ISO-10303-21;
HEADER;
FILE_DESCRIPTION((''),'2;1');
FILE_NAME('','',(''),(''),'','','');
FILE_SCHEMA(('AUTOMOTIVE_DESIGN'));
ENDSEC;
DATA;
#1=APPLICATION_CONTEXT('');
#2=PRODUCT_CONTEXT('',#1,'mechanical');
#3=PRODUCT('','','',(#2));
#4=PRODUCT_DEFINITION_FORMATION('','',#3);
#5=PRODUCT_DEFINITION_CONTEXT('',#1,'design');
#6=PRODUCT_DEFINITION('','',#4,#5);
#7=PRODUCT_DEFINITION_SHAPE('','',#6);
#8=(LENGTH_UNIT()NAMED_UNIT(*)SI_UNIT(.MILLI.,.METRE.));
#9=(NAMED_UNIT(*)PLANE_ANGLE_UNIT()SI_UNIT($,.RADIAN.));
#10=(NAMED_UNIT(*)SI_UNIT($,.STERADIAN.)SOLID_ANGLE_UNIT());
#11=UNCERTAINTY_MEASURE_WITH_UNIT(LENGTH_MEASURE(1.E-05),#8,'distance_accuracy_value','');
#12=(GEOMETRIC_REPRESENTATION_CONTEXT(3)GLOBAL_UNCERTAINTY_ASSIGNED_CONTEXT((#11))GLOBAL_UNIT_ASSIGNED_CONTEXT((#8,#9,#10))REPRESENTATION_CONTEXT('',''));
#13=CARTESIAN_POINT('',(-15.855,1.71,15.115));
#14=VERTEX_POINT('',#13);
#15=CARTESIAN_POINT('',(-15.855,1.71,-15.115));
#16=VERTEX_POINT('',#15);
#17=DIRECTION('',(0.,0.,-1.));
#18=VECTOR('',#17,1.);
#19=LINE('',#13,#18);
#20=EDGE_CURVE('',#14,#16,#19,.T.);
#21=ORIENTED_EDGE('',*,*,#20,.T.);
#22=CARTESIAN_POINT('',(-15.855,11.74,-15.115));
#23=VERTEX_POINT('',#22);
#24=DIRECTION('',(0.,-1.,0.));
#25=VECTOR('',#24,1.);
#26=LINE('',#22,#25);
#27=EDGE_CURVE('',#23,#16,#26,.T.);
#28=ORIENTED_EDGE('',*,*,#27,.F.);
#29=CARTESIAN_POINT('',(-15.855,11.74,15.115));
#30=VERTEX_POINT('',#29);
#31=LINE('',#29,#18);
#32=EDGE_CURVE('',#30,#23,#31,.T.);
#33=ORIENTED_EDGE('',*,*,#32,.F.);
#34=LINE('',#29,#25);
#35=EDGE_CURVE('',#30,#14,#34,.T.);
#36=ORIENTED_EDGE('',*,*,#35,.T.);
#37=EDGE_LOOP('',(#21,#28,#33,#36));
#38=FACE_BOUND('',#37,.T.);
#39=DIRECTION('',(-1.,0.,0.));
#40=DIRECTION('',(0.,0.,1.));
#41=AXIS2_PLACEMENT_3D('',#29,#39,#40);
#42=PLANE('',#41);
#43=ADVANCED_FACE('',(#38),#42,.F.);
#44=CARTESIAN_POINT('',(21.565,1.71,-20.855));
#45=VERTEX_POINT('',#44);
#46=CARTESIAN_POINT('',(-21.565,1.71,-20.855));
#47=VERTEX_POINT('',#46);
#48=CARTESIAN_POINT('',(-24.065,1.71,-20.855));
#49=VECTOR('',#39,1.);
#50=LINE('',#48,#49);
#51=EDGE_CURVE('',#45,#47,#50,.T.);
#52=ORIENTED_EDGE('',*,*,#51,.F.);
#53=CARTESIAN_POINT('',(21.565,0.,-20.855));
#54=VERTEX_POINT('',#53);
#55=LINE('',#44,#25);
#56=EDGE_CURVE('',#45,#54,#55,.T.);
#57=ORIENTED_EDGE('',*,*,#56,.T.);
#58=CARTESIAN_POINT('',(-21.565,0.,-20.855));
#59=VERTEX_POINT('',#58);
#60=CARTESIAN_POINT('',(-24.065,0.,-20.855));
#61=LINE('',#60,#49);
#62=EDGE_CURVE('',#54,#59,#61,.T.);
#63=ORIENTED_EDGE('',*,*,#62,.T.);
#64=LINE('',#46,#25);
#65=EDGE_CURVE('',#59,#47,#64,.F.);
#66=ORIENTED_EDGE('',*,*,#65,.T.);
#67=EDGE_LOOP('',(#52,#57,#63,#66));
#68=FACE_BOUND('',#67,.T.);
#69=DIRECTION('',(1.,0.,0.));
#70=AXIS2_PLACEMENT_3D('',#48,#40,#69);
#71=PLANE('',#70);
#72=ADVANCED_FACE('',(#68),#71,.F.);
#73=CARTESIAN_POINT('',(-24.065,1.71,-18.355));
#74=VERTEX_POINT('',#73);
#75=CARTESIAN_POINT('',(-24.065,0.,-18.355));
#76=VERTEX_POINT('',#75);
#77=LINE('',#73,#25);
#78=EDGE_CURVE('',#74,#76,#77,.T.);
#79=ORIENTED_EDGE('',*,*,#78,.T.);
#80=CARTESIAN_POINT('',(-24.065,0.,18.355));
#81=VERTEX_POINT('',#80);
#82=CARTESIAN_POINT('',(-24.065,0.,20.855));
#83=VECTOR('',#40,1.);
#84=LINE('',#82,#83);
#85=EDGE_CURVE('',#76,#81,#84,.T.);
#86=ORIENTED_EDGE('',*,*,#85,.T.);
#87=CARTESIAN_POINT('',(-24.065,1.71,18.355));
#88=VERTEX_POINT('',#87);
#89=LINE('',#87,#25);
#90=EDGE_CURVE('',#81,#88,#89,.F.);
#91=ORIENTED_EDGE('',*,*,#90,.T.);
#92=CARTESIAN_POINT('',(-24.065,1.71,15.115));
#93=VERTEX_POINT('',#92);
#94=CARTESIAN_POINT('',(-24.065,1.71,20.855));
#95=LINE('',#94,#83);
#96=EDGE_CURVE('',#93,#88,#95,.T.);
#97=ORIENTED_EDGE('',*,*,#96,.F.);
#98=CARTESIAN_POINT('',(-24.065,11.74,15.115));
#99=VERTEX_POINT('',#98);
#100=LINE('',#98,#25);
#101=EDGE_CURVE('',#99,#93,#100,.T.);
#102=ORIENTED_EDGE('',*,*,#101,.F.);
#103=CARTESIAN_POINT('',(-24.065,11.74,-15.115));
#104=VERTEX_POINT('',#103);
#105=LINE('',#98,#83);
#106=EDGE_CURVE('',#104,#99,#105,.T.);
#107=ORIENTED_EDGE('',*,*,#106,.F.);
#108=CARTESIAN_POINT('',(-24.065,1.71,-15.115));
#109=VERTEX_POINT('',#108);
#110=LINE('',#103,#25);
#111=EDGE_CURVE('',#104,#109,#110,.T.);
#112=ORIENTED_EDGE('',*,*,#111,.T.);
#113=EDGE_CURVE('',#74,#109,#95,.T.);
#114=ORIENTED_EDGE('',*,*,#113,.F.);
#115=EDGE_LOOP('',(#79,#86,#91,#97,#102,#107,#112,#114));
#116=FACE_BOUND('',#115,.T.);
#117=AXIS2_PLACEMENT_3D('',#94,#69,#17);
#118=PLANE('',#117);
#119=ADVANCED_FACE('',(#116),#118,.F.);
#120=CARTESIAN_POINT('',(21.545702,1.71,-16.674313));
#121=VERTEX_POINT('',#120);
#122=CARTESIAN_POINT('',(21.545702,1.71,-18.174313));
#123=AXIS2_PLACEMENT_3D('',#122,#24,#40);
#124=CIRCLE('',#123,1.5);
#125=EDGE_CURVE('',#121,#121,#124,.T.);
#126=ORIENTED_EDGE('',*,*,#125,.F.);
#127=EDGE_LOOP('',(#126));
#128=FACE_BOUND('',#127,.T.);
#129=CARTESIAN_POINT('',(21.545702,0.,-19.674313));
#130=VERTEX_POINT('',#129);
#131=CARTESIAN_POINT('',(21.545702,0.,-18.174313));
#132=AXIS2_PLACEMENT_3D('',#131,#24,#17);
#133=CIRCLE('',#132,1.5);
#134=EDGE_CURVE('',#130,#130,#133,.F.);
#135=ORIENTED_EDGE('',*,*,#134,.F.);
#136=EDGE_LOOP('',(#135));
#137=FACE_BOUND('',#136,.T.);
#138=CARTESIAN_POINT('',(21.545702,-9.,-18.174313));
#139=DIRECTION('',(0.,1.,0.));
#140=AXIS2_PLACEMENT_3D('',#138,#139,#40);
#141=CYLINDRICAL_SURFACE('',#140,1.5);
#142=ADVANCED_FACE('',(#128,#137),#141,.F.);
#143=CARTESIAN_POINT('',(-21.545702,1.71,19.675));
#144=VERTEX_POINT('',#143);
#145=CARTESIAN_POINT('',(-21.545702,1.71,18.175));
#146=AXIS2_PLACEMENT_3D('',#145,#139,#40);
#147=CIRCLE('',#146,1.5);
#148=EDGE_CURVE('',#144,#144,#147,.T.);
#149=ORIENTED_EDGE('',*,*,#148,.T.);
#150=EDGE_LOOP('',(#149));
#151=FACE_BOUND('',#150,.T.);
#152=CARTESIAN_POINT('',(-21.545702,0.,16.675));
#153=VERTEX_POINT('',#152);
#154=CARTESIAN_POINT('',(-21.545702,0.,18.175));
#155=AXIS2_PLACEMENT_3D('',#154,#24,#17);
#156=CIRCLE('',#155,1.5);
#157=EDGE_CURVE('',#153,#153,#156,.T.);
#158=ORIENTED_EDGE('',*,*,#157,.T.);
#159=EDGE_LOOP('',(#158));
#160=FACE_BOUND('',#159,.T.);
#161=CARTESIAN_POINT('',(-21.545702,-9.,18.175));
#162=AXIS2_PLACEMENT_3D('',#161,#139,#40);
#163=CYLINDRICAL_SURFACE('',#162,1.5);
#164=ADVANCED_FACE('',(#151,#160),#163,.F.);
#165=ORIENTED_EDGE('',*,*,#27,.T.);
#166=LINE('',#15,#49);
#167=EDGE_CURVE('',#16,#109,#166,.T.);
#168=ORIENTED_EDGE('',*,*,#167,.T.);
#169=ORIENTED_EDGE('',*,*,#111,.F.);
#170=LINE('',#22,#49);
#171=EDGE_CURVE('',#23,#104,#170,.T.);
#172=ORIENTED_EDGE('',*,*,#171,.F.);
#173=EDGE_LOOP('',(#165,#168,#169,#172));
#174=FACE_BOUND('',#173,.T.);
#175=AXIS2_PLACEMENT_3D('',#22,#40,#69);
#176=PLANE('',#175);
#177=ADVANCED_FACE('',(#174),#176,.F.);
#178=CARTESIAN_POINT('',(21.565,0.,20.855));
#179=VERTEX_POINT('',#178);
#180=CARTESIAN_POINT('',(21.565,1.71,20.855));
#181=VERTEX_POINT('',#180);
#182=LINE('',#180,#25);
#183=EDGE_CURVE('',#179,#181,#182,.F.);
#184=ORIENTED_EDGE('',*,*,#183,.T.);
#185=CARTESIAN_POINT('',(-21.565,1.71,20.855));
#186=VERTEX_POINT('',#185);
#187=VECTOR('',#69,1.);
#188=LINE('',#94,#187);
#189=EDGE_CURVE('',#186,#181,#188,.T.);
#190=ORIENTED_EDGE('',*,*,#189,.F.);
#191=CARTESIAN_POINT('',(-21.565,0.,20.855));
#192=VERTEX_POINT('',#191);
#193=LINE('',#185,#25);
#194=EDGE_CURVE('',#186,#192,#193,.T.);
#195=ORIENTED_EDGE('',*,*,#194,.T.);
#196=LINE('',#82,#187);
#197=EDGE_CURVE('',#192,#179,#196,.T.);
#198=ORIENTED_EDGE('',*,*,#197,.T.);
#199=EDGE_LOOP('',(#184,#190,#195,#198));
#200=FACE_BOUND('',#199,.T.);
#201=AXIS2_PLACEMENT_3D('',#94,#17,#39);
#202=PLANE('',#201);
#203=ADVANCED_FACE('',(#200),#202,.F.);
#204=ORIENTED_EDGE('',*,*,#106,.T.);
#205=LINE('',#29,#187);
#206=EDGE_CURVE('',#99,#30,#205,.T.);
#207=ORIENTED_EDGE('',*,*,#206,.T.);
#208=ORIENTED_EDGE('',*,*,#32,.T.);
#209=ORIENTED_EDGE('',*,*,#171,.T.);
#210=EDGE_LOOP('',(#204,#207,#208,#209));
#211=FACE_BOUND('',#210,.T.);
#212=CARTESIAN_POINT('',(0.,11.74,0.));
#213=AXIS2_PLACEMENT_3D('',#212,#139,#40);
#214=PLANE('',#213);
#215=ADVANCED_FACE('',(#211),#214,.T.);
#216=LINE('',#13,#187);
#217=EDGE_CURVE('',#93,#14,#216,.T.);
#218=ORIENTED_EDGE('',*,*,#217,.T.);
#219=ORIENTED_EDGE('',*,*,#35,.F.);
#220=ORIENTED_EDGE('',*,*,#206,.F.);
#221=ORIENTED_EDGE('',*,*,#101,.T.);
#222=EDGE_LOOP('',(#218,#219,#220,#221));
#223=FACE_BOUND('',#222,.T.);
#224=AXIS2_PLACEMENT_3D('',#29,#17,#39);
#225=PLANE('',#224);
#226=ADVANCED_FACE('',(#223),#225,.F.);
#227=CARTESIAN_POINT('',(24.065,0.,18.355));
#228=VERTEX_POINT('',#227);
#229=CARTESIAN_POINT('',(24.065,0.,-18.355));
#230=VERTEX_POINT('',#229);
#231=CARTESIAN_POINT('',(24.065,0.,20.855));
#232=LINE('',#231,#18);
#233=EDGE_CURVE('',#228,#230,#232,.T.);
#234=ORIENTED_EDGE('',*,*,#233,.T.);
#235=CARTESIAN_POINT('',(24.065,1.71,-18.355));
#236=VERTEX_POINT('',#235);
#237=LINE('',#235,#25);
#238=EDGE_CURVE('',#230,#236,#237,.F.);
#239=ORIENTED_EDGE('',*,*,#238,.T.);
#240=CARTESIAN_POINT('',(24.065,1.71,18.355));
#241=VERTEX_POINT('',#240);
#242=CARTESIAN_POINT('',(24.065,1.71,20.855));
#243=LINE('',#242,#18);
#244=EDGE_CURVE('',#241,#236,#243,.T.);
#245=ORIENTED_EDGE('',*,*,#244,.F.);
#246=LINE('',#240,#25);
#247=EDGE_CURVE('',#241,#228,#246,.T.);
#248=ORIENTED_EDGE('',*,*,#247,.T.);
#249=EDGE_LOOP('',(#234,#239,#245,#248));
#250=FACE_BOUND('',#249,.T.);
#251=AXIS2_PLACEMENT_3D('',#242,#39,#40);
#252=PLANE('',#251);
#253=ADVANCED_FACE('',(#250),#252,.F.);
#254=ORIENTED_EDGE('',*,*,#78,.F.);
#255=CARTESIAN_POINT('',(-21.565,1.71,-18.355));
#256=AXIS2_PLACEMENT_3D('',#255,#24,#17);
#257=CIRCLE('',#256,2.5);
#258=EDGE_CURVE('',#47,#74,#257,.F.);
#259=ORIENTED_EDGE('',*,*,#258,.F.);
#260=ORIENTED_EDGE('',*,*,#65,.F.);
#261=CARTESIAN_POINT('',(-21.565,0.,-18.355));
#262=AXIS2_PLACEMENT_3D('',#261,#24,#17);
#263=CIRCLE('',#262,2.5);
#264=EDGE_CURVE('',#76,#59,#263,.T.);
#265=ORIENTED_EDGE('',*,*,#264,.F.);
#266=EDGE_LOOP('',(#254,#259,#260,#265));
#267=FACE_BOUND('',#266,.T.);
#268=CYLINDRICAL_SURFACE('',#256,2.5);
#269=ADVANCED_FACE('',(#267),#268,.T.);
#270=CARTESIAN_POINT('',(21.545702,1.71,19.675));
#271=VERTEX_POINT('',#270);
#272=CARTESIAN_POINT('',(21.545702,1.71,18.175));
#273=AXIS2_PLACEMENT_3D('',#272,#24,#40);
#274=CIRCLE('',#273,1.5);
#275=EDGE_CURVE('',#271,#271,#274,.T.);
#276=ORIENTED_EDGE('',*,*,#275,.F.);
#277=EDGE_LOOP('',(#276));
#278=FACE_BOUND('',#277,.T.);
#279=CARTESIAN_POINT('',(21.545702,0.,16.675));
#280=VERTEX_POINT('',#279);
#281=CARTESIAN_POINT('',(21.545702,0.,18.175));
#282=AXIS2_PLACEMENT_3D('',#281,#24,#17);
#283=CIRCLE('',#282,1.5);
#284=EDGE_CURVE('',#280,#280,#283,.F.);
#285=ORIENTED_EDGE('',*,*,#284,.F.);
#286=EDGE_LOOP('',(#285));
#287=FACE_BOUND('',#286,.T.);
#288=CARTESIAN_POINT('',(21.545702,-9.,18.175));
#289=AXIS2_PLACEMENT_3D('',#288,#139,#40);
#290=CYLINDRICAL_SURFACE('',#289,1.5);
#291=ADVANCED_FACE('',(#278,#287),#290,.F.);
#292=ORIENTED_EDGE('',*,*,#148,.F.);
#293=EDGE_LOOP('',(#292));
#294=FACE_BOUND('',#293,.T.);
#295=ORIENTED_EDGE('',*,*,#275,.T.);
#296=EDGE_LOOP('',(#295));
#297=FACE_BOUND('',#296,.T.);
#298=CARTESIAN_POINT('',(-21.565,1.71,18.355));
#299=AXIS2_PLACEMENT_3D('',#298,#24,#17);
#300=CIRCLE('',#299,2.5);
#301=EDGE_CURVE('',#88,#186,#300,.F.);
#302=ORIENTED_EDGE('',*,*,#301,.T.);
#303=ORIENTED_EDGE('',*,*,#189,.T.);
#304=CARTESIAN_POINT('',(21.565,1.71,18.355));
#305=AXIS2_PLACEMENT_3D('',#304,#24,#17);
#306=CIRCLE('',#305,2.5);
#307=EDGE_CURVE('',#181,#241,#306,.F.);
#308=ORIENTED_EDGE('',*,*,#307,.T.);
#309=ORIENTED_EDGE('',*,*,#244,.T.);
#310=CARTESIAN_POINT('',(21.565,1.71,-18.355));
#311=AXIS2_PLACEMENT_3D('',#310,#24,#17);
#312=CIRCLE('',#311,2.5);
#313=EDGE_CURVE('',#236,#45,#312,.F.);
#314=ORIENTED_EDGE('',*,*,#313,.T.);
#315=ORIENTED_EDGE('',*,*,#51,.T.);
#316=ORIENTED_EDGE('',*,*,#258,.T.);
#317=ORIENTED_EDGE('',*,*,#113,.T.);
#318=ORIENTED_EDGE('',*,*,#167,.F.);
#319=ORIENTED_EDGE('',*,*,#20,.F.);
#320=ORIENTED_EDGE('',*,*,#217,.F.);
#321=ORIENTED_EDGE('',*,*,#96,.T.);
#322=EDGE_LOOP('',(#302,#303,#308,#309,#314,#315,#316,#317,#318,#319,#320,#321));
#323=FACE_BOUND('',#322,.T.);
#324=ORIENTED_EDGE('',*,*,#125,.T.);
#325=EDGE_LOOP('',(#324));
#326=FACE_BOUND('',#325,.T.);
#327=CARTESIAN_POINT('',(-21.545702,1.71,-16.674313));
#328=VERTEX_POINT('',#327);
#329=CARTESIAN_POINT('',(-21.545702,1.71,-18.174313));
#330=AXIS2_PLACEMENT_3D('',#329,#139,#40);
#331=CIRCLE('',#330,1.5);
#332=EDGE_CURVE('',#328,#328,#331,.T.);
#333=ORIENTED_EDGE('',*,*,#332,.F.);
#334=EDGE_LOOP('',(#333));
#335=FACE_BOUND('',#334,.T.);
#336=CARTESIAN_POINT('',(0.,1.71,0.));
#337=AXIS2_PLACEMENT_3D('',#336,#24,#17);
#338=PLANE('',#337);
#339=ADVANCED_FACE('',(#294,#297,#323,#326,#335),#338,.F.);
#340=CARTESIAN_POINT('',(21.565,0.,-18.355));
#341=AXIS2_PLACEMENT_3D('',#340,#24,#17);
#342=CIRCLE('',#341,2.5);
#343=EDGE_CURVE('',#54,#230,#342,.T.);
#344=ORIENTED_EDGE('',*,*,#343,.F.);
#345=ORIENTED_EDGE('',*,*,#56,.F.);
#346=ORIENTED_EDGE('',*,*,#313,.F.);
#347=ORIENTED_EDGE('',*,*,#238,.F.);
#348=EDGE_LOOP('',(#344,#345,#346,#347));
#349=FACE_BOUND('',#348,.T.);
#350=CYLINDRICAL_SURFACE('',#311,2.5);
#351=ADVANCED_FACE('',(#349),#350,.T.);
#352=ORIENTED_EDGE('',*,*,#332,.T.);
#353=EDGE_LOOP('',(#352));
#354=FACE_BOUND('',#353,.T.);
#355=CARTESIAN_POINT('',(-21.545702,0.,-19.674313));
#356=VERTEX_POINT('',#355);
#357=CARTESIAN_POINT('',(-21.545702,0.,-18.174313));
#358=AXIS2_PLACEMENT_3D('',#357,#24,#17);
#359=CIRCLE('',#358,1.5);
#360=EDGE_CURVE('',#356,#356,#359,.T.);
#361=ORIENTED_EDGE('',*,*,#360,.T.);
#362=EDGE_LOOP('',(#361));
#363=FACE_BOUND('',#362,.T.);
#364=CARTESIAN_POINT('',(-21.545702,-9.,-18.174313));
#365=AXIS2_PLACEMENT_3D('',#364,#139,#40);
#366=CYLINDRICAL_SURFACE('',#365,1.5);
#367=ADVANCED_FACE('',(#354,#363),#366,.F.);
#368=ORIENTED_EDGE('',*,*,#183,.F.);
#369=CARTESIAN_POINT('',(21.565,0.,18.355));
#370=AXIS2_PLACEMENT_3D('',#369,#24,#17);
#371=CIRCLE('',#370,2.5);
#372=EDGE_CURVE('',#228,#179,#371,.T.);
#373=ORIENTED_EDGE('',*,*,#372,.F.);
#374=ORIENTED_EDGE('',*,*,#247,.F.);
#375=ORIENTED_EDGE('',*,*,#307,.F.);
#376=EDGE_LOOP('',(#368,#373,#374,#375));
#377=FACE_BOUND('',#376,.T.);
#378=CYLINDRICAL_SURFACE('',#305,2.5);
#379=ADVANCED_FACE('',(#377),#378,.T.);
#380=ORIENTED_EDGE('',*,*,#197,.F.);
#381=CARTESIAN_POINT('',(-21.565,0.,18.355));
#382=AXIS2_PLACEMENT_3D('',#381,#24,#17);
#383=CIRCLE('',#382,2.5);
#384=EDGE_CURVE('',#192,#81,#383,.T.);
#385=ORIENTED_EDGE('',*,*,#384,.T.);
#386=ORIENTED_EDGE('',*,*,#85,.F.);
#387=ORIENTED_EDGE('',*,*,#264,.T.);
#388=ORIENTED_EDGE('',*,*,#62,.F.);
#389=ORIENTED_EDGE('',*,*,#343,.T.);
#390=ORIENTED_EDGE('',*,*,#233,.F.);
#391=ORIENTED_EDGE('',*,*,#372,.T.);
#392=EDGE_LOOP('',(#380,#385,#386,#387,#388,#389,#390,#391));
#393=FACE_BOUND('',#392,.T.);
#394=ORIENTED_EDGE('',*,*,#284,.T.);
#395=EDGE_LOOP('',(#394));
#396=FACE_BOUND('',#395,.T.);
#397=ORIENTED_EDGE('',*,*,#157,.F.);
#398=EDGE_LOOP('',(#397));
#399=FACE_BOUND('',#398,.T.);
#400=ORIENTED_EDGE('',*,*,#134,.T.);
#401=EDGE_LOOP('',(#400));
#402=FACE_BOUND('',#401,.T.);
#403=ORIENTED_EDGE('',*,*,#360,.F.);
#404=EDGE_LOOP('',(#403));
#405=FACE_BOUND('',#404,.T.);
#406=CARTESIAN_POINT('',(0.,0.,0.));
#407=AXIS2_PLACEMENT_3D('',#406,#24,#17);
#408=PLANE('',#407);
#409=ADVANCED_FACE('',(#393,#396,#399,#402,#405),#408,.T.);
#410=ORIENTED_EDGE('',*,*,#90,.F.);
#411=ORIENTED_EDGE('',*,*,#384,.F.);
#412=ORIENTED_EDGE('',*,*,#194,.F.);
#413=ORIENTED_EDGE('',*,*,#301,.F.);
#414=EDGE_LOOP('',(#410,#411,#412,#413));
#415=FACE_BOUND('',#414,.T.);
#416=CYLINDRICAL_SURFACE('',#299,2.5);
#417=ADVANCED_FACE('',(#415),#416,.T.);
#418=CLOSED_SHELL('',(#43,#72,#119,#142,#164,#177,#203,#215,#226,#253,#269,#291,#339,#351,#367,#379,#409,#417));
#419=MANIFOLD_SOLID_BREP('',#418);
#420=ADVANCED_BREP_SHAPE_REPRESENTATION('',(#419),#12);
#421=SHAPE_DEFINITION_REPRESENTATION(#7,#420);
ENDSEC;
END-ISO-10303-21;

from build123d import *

# Parameters (mm, degrees)
SKETCH2_W           = 48.13
SKETCH2_H           = 41.71
BOSS_EXTRUDE1_DEPTH = 1.71
SKETCH3_R           = 1.5
CUT_EXTRUDE1_DEPTH  = 10.71
CUT_EXTRUDE2_DEPTH  = 10.71
FILLET3_R           = 2.5
SKETCH8_W           = 8.21
SKETCH8_H           = 30.23
BOSS_EXTRUDE2_DEPTH = 10.03


with BuildPart() as part:
    # Sketch2 → Boss-Extrude1 (new body)
    with BuildSketch(Plane(origin=(0, 0, 0), x_dir=(1, 0, 0), z_dir=(0, 1, 0))):
        Rectangle(SKETCH2_W, SKETCH2_H)
    extrude(amount=BOSS_EXTRUDE1_DEPTH)

    # Sketch3 → Cut-Extrude1 (cut)
    with BuildSketch(Plane(origin=(0, 1.71, 0), x_dir=(1, 0, 0), z_dir=(0, 1, 0))):
        with Locations(Location((-21.545702182, 18.174313444, 0), (0, 0, 270))):
            Circle(SKETCH3_R)
    cut_extrude1 = extrude(amount=-CUT_EXTRUDE1_DEPTH, mode=Mode.SUBTRACT)

    # Sketch4 → Cut-Extrude2 (cut)
    with BuildSketch(Plane(origin=(0, 1.71, 0), x_dir=(1, 0, 0), z_dir=(0, 1, 0))):
        with BuildLine():
            ThreePointArc((-20.045702182, -18.175), (-20.485042011, -17.114339828), (-21.545702182, -16.675))
            Line((-21.545702182, -16.675), (-21.545702182, -18.175))
            Line((-21.545702182, -18.175), (-21.545702182, -19.675))
            ThreePointArc((-21.545702182, -19.675), (-20.485042011, -19.235660172), (-20.045702182, -18.175))
        make_face()
        with BuildLine():
            Line((-21.545702182, -18.175), (-21.545702182, -16.675))
            ThreePointArc((-21.545702182, -16.675), (-23.045702182, -18.175), (-21.545702182, -19.675))
            Line((-21.545702182, -19.675), (-21.545702182, -18.175))
        make_face()
    cut_extrude2 = extrude(amount=-CUT_EXTRUDE2_DEPTH, mode=Mode.SUBTRACT)

    # Fillet3
    fillet3_edges = [part.edges().sort_by_distance(p)[0] for p in [
        (24.065, 0.855, 20.855),
        (-24.065, 0.855, 20.855),
        (-24.065, 0.855, -20.855),
        (24.065, 0.855, -20.855),
    ]]
    fillet(fillet3_edges, radius=FILLET3_R)

    # Mirror1: Cut-Extrude1, Cut-Extrude2 across plane
    add(cut_extrude1.mirror(Plane(origin=(0, 0, 0), x_dir=(0, 0, 1), z_dir=(1, 0, 0))), mode=Mode.SUBTRACT)
    add(cut_extrude2.mirror(Plane(origin=(0, 0, 0), x_dir=(0, 0, 1), z_dir=(1, 0, 0))), mode=Mode.SUBTRACT)

    # Sketch8 → Boss-Extrude2 (add)
    with BuildSketch(Plane(origin=(0, 1.71, 0), x_dir=(1, 0, 0), z_dir=(0, 1, 0))):
        with Locations((-19.96, 0)):
            Rectangle(SKETCH8_W, SKETCH8_H)
    extrude(amount=BOSS_EXTRUDE2_DEPTH)


solid = part.part
